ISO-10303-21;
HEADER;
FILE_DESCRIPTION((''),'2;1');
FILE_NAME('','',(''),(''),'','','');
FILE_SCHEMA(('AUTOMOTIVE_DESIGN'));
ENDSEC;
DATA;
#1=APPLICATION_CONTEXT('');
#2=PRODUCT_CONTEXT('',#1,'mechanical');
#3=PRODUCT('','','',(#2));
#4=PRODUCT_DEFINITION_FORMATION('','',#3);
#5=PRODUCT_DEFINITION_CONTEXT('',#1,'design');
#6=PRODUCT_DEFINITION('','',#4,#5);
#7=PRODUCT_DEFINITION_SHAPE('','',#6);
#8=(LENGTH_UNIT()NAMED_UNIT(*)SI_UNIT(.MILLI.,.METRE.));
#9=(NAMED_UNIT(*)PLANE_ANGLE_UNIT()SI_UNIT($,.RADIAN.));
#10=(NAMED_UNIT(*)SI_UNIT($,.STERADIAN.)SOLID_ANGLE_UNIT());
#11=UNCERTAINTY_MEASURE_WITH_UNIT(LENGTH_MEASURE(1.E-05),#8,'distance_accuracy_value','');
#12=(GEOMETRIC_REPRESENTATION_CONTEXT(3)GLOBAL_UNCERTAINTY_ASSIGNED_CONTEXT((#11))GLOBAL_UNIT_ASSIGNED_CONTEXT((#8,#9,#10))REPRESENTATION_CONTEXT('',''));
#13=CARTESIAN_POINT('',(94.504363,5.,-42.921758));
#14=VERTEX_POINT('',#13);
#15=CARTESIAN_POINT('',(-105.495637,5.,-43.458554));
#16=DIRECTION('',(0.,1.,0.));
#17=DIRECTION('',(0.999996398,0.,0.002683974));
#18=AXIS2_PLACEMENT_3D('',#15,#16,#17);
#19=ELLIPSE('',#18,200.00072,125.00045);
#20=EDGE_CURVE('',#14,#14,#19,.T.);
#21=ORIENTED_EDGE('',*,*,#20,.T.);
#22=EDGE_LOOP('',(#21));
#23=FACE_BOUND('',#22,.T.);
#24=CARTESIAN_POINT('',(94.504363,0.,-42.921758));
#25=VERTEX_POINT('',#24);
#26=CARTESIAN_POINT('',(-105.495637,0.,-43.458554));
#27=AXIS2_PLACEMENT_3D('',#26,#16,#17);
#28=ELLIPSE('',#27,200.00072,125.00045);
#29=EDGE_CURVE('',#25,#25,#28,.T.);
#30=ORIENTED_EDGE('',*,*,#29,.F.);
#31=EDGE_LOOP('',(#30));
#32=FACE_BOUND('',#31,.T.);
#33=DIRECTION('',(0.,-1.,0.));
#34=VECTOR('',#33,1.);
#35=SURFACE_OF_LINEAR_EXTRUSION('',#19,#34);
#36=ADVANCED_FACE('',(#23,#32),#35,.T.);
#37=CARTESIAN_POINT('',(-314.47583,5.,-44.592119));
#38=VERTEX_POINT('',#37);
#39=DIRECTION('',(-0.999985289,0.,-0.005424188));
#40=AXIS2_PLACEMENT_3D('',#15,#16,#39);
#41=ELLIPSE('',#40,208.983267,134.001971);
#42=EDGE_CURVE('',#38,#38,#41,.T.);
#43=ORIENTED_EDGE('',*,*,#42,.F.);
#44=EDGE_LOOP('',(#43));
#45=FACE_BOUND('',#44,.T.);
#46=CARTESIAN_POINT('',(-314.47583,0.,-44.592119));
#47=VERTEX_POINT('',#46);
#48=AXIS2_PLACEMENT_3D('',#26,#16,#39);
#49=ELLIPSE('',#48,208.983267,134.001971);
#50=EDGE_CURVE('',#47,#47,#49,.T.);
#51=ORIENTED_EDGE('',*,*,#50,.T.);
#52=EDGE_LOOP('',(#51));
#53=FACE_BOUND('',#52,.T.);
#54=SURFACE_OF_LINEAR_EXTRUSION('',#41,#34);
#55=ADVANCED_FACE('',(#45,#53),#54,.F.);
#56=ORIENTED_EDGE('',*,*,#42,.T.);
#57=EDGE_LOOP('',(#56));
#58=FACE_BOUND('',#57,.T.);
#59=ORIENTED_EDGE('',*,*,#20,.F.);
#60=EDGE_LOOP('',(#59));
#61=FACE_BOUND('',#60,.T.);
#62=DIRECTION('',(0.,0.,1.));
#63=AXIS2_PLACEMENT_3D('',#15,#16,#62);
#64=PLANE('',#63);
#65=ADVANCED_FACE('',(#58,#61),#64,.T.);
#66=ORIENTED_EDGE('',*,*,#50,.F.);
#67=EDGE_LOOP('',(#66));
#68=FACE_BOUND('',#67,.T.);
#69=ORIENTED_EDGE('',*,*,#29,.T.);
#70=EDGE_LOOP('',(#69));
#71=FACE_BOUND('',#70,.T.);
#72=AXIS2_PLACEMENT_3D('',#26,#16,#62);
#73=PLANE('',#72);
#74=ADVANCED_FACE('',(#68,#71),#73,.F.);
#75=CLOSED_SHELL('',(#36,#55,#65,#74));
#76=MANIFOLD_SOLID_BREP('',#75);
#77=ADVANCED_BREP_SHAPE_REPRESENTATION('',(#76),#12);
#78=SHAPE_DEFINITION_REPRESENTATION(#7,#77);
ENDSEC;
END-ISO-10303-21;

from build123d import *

# Parameters (mm, degrees)
SKETCH1_RX          = 208.983267456
SKETCH1_RY          = 134.001971305
SKETCH1_RX_2        = 200.000720375
SKETCH1_RY_2        = 125.000450235
BOSS_EXTRUDE1_DEPTH = 5


with BuildPart() as part:
    # Sketch1 → Boss-Extrude1 (new body)
    with BuildSketch(Plane(origin=(0, 0, 0), x_dir=(1, 0, 0), z_dir=(0, 1, 0))):
        with Locations(Location((-105.495636859, 43.458554402), (0, 0, -0.310784611))):
            Ellipse(SKETCH1_RX, SKETCH1_RY)
        with Locations(Location((-105.495636859, 43.458554402), (0, 0, -0.153780552))):
            Ellipse(SKETCH1_RX_2, SKETCH1_RY_2, mode=Mode.SUBTRACT)
    extrude(amount=BOSS_EXTRUDE1_DEPTH)


solid = part.part
